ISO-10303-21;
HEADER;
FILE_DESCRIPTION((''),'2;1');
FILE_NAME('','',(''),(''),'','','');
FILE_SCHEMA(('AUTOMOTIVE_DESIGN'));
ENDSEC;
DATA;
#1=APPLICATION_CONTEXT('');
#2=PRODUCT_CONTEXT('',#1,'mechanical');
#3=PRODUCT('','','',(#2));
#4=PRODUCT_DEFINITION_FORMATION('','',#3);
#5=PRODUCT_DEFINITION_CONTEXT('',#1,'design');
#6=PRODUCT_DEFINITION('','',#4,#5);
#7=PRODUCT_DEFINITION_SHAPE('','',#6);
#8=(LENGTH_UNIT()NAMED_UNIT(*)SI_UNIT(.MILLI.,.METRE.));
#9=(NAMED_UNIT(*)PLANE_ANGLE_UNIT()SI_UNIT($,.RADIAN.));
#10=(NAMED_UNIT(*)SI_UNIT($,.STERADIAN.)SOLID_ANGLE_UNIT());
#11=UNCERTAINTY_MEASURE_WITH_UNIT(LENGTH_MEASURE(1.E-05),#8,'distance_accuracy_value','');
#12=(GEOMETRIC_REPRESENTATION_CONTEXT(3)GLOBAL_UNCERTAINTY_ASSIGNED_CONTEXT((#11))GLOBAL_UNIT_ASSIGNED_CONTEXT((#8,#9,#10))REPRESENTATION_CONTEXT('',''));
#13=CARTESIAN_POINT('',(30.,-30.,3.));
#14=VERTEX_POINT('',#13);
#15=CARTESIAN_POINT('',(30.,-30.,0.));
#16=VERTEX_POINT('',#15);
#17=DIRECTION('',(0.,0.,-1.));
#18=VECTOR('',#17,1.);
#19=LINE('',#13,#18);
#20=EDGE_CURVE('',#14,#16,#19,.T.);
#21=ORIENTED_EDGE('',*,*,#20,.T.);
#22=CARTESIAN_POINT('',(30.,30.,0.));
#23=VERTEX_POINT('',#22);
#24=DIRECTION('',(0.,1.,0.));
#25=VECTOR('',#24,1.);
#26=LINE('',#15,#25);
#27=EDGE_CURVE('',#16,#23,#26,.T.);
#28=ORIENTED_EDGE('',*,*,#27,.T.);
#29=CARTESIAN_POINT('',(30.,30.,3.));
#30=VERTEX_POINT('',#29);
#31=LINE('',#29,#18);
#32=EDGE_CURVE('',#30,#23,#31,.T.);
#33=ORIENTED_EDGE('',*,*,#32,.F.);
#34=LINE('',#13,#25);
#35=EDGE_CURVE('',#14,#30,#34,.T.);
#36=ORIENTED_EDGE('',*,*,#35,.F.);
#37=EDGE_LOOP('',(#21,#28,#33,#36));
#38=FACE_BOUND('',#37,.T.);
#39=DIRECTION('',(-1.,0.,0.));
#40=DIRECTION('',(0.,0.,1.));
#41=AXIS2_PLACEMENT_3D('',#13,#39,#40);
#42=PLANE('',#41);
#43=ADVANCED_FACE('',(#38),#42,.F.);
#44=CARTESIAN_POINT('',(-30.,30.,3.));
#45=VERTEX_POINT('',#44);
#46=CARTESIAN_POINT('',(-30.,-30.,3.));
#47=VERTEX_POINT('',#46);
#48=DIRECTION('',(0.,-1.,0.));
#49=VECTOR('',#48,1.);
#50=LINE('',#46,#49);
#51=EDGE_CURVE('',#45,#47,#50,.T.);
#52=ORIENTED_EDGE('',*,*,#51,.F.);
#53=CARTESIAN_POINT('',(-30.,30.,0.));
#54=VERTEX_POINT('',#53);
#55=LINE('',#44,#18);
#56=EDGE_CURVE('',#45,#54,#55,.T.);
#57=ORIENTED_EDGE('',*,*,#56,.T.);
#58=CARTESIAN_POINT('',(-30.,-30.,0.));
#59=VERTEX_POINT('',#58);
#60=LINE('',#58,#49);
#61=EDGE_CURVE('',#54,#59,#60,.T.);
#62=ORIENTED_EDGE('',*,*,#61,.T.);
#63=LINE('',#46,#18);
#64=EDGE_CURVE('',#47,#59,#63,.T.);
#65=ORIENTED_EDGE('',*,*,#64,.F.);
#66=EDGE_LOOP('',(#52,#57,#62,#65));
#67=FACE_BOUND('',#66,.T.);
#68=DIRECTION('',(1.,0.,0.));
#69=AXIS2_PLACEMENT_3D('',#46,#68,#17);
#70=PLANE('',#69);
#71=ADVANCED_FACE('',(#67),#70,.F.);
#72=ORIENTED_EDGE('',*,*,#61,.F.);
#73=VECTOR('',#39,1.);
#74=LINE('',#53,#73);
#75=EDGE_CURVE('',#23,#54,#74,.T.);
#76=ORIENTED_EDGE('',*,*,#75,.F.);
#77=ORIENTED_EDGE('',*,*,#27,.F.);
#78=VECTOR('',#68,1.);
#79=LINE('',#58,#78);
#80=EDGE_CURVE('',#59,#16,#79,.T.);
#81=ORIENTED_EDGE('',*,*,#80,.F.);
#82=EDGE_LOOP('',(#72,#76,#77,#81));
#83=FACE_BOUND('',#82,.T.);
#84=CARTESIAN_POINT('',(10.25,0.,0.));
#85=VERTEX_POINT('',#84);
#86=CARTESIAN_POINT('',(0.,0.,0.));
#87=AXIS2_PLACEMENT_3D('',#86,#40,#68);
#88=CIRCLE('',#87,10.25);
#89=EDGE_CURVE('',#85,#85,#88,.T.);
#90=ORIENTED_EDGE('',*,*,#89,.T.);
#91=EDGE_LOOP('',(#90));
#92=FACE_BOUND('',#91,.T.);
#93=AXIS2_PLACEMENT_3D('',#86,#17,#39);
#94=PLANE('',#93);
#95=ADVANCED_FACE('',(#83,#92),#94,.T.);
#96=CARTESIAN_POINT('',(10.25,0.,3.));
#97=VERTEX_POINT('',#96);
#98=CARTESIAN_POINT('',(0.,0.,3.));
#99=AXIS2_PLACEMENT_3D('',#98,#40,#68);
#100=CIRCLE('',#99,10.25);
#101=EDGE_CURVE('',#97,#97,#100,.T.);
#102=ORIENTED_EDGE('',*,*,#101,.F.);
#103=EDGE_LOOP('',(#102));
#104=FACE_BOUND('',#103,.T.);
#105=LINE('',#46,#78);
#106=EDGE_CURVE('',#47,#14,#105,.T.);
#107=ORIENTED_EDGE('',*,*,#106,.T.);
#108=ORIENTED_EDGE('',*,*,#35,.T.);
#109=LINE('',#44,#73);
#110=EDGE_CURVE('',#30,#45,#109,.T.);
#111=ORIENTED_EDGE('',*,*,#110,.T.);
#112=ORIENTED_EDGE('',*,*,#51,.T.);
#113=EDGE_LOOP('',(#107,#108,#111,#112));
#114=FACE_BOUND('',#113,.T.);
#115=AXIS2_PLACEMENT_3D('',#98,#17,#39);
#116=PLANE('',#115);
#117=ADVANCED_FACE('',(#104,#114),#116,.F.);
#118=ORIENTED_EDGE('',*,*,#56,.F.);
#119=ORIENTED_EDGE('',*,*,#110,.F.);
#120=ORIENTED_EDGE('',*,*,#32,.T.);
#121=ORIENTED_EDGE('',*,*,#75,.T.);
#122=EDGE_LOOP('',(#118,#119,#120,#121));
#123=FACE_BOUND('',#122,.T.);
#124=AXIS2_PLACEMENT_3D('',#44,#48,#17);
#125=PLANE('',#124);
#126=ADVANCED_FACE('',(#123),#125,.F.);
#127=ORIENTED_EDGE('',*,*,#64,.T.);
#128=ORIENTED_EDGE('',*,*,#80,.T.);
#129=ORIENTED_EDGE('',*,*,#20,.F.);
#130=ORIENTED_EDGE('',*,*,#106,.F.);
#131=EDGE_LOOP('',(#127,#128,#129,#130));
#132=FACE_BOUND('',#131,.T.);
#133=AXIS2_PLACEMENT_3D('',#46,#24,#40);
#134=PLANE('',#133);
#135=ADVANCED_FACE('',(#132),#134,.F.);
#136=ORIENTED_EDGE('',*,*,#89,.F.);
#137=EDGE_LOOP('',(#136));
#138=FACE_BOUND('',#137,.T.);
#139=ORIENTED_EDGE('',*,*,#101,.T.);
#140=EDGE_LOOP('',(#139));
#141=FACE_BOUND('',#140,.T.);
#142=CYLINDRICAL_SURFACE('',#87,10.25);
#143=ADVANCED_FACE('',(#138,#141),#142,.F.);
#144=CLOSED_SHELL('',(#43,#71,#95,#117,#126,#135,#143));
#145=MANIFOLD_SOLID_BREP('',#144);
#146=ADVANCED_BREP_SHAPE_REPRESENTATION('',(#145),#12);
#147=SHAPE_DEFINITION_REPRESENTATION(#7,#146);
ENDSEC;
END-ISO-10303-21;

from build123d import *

# Parameters (mm, degrees)
SKETCH1_W           = 60
SKETCH1_H           = 60
BOSS_EXTRUDE1_DEPTH = 3
SKETCH2_R           = 10.25
CUT_EXTRUDE1_DEPTH  = 43.532340636


with BuildPart() as part:
    # Sketch1 → Boss-Extrude1 (new body)
    with BuildSketch(Plane.XY):
        Rectangle(SKETCH1_W, SKETCH1_H)
    extrude(amount=BOSS_EXTRUDE1_DEPTH)

    # Sketch2 → Cut-Extrude1 (cut, through all)
    with BuildSketch(Plane.XY.offset(3)):
        Circle(SKETCH2_R)
    extrude(amount=-CUT_EXTRUDE1_DEPTH, mode=Mode.SUBTRACT)


solid = part.part
